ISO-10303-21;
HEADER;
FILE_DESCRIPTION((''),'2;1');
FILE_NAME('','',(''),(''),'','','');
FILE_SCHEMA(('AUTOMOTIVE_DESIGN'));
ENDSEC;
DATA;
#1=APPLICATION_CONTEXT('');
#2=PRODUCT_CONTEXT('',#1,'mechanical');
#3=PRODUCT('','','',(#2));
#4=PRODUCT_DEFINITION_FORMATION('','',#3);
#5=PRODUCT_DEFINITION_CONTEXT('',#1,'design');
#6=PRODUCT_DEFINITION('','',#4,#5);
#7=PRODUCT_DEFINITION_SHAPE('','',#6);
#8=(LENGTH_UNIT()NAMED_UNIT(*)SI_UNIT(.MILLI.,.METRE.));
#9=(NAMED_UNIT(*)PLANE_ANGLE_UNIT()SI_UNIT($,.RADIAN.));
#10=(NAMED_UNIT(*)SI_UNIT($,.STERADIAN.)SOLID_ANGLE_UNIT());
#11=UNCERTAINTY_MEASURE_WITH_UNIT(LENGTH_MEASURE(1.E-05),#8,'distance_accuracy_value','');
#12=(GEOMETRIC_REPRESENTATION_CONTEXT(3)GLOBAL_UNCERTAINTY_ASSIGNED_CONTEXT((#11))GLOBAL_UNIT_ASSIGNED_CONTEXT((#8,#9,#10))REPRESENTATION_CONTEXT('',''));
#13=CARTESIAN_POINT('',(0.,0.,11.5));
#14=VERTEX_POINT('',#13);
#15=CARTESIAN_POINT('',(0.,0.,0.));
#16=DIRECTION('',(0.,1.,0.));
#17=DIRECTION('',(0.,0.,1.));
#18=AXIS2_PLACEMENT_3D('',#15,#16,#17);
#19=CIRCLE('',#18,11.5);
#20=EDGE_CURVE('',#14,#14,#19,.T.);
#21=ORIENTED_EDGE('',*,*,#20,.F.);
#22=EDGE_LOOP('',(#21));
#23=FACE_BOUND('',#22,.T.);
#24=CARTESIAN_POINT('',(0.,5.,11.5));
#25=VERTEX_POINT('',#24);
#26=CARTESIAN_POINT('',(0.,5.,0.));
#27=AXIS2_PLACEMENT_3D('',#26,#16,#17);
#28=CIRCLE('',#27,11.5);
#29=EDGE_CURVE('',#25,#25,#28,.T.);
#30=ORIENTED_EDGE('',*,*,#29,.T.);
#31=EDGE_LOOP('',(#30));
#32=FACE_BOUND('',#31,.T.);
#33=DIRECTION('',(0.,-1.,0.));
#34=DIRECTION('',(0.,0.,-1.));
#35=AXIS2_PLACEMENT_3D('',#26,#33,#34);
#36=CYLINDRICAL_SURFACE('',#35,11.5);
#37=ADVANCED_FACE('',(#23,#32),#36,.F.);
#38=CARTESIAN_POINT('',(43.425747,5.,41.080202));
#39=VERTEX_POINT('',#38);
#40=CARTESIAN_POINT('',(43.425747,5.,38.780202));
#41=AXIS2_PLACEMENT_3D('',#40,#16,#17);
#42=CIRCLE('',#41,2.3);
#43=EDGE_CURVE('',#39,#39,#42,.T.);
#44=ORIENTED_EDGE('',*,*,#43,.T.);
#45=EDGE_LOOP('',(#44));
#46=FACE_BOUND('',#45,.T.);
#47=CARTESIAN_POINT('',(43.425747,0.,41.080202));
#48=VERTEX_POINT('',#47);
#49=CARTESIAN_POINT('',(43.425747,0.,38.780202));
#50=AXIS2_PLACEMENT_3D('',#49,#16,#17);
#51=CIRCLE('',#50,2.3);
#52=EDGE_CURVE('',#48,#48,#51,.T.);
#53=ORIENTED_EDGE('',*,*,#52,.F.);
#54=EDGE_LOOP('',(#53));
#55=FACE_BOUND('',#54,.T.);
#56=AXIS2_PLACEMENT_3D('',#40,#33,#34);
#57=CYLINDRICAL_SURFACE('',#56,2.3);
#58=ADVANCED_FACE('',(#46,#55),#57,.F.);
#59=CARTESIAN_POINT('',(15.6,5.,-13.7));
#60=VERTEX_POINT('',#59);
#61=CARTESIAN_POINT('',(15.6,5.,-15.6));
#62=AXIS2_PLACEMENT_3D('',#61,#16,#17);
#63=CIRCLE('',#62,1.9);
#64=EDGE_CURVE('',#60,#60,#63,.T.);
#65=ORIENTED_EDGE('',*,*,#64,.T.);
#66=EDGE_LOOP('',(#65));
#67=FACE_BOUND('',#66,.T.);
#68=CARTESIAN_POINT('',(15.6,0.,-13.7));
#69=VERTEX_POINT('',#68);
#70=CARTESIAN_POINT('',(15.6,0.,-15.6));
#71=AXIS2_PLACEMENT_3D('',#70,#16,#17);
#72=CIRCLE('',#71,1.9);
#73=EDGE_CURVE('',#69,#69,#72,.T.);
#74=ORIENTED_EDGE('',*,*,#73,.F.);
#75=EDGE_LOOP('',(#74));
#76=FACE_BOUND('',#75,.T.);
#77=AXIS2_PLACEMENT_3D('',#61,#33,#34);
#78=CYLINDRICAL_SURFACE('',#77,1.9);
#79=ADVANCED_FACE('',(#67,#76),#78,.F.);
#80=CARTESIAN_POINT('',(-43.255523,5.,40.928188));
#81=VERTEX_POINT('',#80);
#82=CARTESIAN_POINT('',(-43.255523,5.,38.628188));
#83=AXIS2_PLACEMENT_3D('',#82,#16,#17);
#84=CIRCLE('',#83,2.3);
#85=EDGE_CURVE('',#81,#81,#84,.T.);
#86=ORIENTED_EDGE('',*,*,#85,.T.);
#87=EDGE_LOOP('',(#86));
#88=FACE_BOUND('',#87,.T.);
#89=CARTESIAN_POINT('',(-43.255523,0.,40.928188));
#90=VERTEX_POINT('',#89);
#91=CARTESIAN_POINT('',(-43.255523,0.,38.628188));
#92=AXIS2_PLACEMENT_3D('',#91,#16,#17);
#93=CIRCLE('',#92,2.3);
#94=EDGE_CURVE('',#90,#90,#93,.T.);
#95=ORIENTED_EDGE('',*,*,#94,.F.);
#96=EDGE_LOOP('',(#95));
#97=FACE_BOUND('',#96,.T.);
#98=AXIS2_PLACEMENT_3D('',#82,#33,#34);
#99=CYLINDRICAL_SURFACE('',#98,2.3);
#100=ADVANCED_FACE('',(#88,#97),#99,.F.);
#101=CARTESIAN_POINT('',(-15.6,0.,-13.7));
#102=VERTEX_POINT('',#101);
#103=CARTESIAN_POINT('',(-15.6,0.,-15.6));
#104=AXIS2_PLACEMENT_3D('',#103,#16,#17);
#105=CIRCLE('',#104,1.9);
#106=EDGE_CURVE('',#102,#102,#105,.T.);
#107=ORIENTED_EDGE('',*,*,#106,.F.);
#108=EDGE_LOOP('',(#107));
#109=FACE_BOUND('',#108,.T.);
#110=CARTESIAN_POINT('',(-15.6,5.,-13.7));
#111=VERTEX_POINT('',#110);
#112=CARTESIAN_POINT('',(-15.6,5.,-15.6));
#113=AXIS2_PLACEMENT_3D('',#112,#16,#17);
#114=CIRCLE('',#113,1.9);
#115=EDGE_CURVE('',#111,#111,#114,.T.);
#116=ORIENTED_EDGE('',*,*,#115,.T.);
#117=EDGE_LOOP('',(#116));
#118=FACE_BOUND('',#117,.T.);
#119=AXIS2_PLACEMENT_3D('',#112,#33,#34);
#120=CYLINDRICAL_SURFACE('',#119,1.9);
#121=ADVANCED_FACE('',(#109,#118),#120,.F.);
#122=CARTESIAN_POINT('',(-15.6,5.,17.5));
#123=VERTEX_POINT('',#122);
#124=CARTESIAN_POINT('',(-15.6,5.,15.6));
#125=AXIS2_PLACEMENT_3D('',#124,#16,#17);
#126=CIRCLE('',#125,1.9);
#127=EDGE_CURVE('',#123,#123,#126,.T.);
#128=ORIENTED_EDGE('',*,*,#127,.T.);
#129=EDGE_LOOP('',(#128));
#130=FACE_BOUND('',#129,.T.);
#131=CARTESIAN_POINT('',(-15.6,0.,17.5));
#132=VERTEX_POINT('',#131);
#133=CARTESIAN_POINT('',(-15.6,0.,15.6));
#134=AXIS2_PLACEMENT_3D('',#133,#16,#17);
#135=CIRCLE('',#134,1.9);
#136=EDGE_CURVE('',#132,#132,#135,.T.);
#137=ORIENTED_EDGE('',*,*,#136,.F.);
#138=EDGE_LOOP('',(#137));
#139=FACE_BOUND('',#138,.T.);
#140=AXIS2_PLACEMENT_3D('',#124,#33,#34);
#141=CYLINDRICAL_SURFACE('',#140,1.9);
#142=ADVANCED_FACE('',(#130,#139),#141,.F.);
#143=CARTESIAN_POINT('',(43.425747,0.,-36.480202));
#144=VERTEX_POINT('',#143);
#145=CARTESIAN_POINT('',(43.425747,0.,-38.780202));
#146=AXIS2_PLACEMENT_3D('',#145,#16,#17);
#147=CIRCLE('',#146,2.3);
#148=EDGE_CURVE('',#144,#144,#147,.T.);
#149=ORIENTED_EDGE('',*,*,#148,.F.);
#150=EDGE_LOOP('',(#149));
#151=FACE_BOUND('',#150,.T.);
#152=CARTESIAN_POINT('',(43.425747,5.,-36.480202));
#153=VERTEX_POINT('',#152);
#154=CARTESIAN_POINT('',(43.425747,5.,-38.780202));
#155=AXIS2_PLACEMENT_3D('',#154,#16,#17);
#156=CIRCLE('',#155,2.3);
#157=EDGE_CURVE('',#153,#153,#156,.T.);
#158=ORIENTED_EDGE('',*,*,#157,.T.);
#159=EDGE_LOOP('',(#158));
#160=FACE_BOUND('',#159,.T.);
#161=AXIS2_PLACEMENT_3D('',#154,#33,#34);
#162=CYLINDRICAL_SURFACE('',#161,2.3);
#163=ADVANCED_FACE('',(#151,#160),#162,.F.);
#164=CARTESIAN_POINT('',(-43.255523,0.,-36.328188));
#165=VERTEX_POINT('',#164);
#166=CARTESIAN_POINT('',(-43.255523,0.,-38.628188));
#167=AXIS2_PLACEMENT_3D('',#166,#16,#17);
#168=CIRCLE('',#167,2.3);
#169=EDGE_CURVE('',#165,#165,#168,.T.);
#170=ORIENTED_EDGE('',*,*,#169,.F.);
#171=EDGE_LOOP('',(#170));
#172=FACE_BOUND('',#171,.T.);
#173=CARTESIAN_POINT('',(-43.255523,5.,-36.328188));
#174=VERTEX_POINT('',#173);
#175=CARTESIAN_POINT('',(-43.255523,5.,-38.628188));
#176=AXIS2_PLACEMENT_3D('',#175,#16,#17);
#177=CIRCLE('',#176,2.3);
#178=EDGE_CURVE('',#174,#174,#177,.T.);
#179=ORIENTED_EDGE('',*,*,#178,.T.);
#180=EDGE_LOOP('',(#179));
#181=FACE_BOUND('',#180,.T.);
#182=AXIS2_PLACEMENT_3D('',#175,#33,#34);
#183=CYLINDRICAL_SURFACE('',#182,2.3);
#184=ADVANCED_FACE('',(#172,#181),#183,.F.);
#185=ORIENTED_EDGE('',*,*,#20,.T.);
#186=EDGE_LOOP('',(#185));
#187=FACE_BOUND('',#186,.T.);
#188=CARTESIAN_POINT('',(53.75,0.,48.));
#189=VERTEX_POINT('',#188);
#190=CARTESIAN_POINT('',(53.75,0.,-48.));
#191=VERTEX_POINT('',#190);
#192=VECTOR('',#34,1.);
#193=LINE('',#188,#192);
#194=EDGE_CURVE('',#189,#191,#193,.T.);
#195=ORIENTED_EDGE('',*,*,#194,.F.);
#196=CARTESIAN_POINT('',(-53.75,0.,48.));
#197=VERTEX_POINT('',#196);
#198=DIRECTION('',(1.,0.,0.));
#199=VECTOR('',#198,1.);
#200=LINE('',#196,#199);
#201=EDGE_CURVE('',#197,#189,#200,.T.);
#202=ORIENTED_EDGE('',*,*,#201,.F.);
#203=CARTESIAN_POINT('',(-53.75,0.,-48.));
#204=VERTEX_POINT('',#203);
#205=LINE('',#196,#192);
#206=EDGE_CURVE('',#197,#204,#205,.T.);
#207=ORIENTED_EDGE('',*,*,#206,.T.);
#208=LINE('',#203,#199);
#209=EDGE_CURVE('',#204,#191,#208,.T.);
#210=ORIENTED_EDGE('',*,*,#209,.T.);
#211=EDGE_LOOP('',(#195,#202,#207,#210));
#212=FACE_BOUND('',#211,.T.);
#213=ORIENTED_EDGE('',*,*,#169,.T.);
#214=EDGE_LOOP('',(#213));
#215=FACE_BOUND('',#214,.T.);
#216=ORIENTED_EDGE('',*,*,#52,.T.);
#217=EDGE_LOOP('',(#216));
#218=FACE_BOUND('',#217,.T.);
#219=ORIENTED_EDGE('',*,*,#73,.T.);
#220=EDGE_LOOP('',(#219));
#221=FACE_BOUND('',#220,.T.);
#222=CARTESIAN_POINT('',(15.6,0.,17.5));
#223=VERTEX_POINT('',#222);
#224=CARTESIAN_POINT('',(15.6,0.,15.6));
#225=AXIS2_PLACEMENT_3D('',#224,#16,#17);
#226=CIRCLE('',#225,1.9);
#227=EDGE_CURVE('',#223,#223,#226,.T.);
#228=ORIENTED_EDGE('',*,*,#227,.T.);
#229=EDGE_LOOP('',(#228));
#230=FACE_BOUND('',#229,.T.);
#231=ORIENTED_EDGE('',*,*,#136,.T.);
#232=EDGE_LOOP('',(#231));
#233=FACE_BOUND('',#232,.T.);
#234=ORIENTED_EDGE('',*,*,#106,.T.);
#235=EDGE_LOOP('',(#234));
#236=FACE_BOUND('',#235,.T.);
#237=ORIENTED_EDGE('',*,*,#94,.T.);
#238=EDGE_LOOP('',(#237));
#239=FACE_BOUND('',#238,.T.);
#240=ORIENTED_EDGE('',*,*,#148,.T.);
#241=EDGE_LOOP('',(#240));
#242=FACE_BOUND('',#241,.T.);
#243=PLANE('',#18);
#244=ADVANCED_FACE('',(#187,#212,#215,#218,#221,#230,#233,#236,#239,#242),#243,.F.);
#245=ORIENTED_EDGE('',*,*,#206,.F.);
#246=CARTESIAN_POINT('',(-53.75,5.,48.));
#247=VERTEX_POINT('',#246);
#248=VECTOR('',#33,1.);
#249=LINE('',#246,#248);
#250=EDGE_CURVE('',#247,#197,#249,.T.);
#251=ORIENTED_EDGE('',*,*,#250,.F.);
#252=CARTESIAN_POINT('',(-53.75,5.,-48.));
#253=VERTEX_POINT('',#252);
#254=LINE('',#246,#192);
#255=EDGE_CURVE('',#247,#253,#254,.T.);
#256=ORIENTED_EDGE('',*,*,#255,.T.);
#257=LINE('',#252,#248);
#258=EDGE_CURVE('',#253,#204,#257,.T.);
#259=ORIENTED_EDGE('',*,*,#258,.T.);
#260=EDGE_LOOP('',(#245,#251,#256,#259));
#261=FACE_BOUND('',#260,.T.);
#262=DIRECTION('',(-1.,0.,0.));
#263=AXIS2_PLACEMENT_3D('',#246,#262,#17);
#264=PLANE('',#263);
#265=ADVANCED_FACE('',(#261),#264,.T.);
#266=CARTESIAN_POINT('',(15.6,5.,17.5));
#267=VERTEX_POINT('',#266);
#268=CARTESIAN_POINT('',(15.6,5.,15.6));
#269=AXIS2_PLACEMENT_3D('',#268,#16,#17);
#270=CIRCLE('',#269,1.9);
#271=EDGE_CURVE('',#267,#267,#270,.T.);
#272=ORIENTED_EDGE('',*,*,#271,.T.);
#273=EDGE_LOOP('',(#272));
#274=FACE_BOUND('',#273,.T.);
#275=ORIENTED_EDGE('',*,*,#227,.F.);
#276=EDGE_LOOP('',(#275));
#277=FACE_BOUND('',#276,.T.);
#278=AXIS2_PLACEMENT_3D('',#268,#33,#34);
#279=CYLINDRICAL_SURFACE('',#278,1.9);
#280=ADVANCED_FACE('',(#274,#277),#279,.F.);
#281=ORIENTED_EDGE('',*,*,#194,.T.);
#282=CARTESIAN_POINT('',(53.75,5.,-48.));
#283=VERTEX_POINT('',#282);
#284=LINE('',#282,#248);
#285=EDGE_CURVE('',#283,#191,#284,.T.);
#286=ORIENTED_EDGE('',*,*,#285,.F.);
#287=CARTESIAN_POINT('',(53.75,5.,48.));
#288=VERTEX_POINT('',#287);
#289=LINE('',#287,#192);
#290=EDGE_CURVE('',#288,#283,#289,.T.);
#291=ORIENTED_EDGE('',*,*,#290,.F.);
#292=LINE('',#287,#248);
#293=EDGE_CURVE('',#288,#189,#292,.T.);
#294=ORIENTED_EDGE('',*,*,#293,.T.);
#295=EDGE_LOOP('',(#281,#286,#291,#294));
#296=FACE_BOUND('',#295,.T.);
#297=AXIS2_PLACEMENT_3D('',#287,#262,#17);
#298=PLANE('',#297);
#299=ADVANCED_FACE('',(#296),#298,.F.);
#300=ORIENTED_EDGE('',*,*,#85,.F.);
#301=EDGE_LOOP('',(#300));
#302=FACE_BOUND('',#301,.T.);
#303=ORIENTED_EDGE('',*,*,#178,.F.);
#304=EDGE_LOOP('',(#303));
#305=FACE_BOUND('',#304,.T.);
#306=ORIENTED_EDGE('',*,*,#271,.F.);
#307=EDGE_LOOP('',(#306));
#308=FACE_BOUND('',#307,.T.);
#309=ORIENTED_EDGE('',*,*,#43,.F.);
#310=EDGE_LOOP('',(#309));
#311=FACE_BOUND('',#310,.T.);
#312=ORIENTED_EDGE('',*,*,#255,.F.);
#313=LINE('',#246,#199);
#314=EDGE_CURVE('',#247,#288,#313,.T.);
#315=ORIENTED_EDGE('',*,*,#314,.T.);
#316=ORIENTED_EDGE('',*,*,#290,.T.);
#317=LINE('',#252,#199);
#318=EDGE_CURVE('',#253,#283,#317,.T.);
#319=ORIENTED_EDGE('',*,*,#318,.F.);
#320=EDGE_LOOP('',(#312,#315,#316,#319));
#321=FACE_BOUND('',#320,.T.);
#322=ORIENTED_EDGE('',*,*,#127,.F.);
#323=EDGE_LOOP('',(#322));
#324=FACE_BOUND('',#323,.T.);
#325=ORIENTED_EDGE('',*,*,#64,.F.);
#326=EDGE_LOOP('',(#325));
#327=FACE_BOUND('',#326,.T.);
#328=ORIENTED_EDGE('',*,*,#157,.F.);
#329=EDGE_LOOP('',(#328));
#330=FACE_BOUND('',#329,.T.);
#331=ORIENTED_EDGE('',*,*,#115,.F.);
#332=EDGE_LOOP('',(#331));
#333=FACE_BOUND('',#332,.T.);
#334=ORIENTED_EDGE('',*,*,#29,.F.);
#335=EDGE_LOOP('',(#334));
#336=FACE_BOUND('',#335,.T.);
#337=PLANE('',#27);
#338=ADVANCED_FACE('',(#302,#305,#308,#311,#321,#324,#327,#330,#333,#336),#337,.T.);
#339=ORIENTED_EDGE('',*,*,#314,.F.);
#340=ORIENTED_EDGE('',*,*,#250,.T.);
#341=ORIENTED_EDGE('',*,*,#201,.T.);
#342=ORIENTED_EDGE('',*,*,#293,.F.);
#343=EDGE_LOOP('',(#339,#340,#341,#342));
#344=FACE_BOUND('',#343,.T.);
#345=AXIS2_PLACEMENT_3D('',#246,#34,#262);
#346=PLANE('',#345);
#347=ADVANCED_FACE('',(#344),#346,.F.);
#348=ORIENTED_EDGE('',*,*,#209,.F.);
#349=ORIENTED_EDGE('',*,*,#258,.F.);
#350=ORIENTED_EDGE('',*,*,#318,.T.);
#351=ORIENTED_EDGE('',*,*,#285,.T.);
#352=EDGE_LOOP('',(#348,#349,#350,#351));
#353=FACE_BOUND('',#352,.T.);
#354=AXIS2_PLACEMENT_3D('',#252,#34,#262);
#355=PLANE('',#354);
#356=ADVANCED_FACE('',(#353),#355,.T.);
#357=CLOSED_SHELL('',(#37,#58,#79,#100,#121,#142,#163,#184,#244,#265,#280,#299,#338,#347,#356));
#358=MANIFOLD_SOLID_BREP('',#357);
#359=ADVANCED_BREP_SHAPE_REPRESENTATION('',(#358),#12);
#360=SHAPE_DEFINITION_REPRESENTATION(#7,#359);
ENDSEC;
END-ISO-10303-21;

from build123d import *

# Parameters (mm, degrees)
SKETCH1_W           = 107.5
SKETCH1_H           = 96
BOSS_EXTRUDE1_DEPTH = 5
SKETCH2_R           = 1.9
SKETCH2_R_2         = 11.5
SKETCH2_R_3         = 2.3
CUT_EXTRUDE3_DEPTH  = 5


with BuildPart() as part:
    # Sketch1 → Boss-Extrude1 (new body)
    with BuildSketch(Plane(origin=(0, 0, 0), x_dir=(1, 0, 0), z_dir=(0, 1, 0))):
        Rectangle(SKETCH1_W, SKETCH1_H)
    extrude(amount=BOSS_EXTRUDE1_DEPTH)

    # Sketch2 → Cut-Extrude3 (cut)
    with BuildSketch(Plane(origin=(0, 0, 0), x_dir=(1, 0, 0), z_dir=(0, 1, 0))):
        with Locations((-15.6, 15.6)):
            Circle(SKETCH2_R)
        with Locations((15.6, 15.6)):
            Circle(SKETCH2_R)
        with Locations((15.6, -15.6)):
            Circle(SKETCH2_R)
        with Locations((-15.6, -15.6)):
            Circle(SKETCH2_R)
        Circle(SKETCH2_R_2)
        with Locations((-43.255523212, -38.628188171)):
            Circle(SKETCH2_R_3)
        with Locations((43.42574654, 38.780201561)):
            Circle(SKETCH2_R_3)
        with Locations((-43.255523212, 38.628188171)):
            Circle(SKETCH2_R_3)
        with Locations((43.42574654, -38.780201561)):
            Circle(SKETCH2_R_3)
    extrude(amount=CUT_EXTRUDE3_DEPTH, mode=Mode.SUBTRACT)


solid = part.part
